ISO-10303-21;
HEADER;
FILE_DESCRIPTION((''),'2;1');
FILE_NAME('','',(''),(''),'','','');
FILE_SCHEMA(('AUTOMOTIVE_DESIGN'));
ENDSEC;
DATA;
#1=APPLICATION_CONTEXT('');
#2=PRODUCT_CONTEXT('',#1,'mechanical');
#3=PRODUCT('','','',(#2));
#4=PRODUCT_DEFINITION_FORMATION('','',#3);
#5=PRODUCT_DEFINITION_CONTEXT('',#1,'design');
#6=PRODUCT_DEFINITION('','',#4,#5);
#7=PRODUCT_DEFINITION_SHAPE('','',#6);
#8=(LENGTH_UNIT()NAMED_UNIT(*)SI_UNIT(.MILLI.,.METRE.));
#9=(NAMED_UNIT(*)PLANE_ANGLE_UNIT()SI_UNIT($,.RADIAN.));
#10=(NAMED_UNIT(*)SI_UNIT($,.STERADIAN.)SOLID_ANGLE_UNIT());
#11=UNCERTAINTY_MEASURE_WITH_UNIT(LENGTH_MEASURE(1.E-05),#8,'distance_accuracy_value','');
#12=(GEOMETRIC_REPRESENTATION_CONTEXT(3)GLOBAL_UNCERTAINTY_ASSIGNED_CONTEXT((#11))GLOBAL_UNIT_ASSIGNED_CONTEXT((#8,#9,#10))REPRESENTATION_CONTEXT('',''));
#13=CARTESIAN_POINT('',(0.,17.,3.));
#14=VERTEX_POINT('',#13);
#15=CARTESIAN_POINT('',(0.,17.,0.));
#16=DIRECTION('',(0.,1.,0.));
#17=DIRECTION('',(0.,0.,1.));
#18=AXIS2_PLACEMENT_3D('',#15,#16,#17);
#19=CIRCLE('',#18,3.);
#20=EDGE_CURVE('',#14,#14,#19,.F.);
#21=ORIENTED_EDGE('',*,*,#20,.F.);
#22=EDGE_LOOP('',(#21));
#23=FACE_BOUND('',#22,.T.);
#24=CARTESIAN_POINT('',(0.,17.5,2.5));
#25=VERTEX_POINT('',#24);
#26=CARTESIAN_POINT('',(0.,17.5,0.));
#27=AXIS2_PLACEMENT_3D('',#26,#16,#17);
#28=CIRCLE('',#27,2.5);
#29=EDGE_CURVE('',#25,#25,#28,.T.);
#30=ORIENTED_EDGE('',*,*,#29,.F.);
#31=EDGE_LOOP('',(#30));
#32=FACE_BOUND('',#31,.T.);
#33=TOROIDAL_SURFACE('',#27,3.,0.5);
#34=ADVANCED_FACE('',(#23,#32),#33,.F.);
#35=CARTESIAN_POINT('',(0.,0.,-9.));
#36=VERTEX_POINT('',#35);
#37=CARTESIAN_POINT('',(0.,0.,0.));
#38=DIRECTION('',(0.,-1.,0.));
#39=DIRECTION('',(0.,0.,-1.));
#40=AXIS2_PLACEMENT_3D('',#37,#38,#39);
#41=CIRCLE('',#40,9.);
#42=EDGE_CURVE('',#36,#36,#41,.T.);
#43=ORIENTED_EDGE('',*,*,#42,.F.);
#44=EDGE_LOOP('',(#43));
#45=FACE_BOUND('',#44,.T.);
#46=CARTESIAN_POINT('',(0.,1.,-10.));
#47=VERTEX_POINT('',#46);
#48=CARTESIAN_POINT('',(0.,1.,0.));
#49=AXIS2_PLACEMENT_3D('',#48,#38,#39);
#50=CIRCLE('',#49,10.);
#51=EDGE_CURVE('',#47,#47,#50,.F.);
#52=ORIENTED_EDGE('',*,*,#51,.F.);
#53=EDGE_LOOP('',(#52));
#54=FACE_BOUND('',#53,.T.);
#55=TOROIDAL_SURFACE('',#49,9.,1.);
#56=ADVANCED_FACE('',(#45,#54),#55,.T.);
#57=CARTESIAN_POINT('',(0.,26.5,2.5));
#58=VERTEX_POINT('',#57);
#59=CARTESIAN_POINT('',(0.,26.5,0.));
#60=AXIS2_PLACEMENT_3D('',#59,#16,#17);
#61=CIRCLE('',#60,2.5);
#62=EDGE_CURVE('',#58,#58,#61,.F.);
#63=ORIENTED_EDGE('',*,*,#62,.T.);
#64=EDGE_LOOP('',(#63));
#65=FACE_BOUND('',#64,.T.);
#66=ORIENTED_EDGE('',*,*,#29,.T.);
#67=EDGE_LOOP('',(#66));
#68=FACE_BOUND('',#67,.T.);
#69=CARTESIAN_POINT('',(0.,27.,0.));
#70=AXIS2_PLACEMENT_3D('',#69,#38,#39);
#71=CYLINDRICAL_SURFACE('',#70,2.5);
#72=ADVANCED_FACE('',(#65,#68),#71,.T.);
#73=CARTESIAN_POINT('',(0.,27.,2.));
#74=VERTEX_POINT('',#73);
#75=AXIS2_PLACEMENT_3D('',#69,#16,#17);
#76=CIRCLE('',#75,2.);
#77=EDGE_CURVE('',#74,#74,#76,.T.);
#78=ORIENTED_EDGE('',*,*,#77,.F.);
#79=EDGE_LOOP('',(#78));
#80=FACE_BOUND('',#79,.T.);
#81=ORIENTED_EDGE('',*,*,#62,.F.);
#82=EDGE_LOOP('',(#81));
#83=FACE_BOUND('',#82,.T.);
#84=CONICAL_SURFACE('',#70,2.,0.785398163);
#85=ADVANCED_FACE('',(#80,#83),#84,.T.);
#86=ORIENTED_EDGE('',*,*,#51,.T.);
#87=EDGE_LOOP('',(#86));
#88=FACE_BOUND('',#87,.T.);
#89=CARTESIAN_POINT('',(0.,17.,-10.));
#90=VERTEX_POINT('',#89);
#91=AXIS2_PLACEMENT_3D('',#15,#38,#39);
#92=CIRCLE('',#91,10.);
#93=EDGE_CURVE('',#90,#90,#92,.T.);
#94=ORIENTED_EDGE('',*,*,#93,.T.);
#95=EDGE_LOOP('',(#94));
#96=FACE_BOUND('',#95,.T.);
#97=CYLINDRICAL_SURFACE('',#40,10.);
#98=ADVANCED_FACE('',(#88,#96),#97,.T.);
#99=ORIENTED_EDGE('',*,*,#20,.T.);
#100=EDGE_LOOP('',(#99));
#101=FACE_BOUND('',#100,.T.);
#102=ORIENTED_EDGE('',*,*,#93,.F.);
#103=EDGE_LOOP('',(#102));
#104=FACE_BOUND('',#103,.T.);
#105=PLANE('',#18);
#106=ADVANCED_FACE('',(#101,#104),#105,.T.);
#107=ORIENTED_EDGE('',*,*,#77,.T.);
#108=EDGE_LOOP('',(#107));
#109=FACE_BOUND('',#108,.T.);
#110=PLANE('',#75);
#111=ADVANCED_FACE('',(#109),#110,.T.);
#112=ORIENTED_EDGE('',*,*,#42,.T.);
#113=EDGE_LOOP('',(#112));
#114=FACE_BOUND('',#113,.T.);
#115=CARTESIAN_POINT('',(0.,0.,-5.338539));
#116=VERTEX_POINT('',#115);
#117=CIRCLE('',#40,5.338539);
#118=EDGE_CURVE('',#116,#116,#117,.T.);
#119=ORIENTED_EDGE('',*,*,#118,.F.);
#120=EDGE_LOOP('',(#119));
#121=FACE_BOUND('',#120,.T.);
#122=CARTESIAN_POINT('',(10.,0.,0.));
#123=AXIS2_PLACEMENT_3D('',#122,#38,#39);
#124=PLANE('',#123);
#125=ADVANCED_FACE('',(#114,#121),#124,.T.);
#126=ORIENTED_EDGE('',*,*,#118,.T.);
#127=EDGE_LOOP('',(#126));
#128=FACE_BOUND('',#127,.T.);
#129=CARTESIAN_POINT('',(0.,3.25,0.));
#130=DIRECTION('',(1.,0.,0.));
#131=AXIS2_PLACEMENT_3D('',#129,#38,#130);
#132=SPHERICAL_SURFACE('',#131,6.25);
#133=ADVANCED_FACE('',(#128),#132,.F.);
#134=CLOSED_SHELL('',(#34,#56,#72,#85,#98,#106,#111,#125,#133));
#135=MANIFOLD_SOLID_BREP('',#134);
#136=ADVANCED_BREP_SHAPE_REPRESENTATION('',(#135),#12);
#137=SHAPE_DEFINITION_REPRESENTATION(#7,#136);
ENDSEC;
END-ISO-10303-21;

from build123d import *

# Parameters (mm, degrees)
ESQUISSE2_R      = 2.5
EXTRUSION1_DEPTH = 10
CONG_1_R         = 1
CHANFREIN1_SIZE  = 0.5
CONG_2_R         = 0.5


with BuildPart() as part:
    # Esquisse1 → Révolution1 (revolve)
    with BuildSketch(Plane.XY):
        with BuildLine():
            Line((0, 17), (10, 17))
            Line((10, 17), (10, 0))
            Line((10, 0), (5.338539126, 0))
            ThreePointArc((5.338539126, 0), (5.448623679, 6.311862178), (0, 9.5))
            Line((0, 9.5), (0, 17))
        make_face()
    revolve(axis=Axis((0, 0, 0), (0, 1, 0)))

    # Esquisse2 → Extrusion1 (add)
    with BuildSketch(Plane(origin=(0, 17, 0), x_dir=(1, 0, 0), z_dir=(0, 1, 0))):
        Circle(ESQUISSE2_R)
    extrude(amount=EXTRUSION1_DEPTH)

    # Congé1
    cong_1_edges = [part.edges().sort_by_distance(p)[0] for p in [
        (-10, 0, 0),
    ]]
    fillet(cong_1_edges, radius=CONG_1_R)

    # Chanfrein1
    chanfrein1_edges = [part.edges().sort_by_distance(p)[0] for p in [
        (-2.5, 27, 0),
    ]]
    chamfer(chanfrein1_edges, length=CHANFREIN1_SIZE)

    # Congé2
    cong_2_edges = [part.edges().sort_by_distance(p)[0] for p in [
        (-2.5, 17, 0),
    ]]
    fillet(cong_2_edges, radius=CONG_2_R)


solid = part.part
